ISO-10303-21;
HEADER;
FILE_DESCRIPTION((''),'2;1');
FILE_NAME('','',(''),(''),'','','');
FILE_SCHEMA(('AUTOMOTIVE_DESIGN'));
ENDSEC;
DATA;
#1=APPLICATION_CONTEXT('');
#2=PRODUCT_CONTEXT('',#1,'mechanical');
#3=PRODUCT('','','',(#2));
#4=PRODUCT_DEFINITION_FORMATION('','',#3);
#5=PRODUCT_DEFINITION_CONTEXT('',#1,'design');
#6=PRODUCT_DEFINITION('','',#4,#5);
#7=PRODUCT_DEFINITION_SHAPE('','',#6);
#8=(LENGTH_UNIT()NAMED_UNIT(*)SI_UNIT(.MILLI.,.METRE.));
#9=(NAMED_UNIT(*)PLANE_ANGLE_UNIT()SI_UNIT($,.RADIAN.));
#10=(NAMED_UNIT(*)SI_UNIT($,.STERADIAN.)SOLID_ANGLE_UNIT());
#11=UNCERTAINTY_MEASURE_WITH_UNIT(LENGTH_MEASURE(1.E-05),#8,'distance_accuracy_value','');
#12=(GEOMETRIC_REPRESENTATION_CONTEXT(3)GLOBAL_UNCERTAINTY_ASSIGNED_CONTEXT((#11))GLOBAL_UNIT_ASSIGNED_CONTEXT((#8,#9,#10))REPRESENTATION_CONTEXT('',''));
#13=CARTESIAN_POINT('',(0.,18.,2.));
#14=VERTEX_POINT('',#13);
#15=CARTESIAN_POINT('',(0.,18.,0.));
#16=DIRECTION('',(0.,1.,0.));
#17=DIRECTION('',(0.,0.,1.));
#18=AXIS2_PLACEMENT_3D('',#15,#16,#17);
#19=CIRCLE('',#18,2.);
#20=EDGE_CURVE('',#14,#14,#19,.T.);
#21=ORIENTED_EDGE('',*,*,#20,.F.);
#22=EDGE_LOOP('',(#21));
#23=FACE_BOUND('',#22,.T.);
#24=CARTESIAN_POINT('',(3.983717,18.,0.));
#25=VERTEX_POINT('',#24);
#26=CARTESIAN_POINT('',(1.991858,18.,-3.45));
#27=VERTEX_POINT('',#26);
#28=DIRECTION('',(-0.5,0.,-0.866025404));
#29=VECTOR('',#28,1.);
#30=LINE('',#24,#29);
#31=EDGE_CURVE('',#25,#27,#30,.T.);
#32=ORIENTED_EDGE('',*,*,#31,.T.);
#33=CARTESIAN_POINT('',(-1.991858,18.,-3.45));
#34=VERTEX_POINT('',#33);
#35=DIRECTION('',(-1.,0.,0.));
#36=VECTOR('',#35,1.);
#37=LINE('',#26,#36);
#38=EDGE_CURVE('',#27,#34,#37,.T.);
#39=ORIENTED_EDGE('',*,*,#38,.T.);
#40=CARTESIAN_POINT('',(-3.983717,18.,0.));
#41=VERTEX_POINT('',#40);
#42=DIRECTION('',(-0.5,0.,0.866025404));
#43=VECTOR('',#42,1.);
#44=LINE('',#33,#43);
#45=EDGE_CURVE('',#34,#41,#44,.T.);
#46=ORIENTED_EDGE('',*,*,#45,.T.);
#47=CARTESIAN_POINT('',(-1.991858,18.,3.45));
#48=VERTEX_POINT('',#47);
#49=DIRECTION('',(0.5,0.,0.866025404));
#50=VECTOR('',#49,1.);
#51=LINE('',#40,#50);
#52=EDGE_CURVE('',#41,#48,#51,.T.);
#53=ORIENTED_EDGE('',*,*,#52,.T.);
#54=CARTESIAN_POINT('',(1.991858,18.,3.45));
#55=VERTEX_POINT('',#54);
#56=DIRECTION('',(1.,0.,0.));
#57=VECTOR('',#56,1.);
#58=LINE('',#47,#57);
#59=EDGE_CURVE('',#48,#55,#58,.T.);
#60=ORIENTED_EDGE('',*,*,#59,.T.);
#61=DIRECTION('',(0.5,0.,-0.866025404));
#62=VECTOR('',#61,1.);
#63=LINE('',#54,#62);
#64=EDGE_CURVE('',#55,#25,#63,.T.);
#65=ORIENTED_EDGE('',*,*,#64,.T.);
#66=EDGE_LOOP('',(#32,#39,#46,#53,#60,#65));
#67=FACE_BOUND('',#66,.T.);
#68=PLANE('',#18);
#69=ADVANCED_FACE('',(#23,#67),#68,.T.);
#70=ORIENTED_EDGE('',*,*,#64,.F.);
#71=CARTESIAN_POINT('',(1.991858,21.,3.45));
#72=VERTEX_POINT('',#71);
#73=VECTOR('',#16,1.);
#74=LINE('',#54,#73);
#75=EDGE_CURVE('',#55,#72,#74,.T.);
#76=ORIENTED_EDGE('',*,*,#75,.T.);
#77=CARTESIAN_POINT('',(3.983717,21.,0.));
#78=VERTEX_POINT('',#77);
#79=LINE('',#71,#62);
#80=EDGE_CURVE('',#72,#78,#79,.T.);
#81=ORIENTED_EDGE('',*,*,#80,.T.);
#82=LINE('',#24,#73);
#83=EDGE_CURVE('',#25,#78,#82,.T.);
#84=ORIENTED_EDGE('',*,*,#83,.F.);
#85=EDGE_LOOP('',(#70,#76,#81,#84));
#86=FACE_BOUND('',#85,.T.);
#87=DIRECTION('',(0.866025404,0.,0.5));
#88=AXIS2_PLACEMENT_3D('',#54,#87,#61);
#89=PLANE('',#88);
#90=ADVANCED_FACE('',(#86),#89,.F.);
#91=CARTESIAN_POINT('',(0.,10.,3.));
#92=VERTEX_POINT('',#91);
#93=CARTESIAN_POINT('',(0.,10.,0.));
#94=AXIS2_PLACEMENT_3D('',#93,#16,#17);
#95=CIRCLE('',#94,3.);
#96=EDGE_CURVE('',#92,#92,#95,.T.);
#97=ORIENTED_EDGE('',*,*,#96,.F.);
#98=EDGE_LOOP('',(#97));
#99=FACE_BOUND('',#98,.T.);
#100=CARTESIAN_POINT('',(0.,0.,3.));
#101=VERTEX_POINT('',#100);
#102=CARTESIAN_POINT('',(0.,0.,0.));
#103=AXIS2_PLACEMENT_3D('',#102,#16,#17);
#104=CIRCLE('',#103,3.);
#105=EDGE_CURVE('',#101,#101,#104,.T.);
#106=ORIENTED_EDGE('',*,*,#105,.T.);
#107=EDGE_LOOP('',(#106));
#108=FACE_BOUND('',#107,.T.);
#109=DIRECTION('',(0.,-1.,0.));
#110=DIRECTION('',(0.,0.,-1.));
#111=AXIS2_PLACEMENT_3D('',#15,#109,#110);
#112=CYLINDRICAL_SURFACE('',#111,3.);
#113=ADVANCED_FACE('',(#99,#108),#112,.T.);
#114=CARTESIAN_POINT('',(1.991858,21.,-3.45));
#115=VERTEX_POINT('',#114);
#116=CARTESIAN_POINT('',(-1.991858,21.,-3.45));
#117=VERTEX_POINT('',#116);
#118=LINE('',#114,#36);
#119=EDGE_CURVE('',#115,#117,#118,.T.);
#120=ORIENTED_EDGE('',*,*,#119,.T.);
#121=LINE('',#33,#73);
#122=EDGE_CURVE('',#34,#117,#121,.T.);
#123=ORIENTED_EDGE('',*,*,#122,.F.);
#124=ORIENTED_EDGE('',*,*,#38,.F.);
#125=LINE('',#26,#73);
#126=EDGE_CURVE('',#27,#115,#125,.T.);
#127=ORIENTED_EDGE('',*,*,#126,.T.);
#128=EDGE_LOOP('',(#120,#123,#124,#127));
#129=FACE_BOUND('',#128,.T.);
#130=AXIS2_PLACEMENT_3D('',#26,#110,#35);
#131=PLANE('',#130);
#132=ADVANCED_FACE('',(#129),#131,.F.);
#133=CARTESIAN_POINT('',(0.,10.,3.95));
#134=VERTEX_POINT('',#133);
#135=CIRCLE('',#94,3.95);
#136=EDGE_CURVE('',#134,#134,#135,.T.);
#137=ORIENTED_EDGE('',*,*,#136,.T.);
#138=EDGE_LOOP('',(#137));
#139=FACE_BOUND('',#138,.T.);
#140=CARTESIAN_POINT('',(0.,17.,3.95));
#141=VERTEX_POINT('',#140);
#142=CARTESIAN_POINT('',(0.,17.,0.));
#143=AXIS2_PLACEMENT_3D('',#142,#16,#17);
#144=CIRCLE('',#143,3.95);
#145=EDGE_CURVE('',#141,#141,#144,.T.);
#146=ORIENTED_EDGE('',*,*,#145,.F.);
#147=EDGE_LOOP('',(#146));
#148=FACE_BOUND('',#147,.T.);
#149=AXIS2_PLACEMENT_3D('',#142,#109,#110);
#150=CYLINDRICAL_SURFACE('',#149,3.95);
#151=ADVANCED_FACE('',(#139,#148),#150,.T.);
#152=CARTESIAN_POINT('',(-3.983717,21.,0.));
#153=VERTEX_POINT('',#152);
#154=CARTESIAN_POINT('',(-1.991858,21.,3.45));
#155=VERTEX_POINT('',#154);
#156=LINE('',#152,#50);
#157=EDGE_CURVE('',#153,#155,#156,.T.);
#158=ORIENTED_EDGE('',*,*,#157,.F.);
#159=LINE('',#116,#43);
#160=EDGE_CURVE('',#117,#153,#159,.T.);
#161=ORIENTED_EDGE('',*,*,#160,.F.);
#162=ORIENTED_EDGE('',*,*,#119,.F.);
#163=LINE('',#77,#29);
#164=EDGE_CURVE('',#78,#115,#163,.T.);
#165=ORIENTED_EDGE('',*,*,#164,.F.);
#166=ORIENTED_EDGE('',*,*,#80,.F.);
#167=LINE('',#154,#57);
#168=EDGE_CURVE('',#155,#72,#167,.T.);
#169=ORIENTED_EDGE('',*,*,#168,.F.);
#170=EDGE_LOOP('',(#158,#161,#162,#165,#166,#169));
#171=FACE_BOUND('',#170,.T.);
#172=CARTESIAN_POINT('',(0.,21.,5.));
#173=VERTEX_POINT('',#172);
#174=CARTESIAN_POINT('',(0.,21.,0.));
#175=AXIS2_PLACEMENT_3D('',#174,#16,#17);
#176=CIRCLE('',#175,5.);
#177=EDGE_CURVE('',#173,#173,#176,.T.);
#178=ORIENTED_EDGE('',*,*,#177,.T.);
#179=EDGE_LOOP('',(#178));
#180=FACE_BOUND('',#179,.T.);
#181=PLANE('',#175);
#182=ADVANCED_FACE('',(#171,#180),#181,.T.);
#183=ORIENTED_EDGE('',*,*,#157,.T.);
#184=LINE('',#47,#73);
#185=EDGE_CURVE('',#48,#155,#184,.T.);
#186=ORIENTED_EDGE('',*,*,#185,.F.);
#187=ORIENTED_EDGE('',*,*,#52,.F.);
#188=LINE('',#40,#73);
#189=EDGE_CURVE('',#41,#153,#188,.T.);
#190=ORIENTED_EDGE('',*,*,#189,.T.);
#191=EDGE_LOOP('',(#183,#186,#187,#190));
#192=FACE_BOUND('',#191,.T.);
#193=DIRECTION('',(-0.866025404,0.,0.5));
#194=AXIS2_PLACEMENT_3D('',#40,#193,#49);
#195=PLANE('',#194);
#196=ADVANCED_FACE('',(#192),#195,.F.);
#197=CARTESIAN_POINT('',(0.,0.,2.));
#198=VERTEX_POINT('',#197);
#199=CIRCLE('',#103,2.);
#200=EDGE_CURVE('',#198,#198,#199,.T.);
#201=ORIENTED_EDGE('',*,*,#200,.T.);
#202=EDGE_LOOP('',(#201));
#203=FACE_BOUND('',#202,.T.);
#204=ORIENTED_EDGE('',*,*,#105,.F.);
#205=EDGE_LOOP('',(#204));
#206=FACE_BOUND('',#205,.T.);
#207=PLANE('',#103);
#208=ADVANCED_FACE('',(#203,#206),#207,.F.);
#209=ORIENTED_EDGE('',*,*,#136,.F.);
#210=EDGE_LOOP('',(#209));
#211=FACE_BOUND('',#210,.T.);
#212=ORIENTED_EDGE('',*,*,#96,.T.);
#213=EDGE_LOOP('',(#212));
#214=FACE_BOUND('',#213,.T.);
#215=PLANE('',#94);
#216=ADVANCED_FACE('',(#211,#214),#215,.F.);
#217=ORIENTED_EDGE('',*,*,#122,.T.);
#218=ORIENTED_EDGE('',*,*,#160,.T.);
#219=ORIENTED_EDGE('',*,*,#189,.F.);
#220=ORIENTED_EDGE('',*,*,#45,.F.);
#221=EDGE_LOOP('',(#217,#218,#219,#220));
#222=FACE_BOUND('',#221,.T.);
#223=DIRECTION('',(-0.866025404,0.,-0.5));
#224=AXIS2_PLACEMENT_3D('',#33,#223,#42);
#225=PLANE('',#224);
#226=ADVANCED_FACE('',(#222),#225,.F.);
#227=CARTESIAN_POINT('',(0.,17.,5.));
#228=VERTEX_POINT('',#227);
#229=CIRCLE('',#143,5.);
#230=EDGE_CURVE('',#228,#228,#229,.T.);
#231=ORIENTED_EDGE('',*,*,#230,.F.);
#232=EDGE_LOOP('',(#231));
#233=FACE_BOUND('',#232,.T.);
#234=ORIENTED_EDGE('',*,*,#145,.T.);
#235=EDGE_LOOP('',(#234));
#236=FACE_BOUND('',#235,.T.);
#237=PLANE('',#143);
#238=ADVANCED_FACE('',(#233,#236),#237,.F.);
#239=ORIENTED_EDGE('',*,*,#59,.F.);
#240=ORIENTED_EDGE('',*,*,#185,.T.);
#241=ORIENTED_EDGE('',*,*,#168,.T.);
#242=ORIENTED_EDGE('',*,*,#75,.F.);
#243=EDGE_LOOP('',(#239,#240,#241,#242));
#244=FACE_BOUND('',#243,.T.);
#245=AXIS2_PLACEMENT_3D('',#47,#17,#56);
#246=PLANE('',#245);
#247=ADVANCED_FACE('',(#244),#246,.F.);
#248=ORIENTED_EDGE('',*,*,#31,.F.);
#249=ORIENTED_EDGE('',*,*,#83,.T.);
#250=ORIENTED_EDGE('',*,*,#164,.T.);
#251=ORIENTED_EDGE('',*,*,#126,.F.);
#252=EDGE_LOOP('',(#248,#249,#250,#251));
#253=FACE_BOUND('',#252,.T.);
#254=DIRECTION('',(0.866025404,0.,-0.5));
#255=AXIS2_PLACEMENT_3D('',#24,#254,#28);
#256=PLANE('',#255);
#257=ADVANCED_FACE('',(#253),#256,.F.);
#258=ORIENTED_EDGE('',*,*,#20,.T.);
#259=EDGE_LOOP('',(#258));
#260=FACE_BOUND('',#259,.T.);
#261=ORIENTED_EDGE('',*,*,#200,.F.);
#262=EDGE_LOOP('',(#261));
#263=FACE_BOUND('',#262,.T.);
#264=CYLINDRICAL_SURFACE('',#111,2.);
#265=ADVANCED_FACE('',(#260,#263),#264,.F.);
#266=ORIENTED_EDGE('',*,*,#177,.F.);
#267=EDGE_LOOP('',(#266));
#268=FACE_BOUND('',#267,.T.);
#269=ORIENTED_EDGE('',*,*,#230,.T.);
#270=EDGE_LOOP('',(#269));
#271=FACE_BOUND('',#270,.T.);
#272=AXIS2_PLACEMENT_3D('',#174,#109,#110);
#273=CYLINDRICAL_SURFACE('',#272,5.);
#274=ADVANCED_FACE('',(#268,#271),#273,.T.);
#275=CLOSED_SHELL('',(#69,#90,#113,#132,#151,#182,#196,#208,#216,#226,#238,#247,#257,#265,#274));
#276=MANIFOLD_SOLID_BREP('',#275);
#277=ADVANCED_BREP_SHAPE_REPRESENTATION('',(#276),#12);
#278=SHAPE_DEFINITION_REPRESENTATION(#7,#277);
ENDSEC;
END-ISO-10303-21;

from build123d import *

# Parameters (mm, degrees)
SKETCH1_R           = 3
SKETCH1_R_2         = 2
BOSS_EXTRUDE1_DEPTH = 18
BOSS_EXTRUDE3_START = -8
SKETCH2_R           = 3.95
SKETCH2_R_2         = 2
BOSS_EXTRUDE3_DEPTH = 7
SKETCH4_R           = 5
SKETCH4_R_2         = 2
BOSS_EXTRUDE4_DEPTH = 4
CUT_EXTRUDE1_DEPTH  = 3


with BuildPart() as part:
    # Sketch1 → Boss-Extrude1 (new body)
    with BuildSketch(Plane(origin=(0, 0, 0), x_dir=(1, 0, 0), z_dir=(0, 1, 0))):
        with Locations(Location((0, 0, 0), (0, 0, 270))):
            Circle(SKETCH1_R)
        with Locations(Location((0, 0, 0), (0, 0, 270))):
            Circle(SKETCH1_R_2, mode=Mode.SUBTRACT)
    extrude(amount=BOSS_EXTRUDE1_DEPTH)

    # Sketch2 → Boss-Extrude3 (add)
    with BuildSketch(Plane(origin=(0, 18, 0), x_dir=(1, 0, 0), z_dir=(0, 1, 0)).offset(BOSS_EXTRUDE3_START)):
        with Locations(Location((0, 0, 0), (0, 0, 270))):
            Circle(SKETCH2_R)
        with Locations(Location((0, 0, 0), (0, 0, 270))):
            Circle(SKETCH2_R_2, mode=Mode.SUBTRACT)
    extrude(amount=BOSS_EXTRUDE3_DEPTH)

    # Sketch4 → Boss-Extrude4 (add)
    with BuildSketch(Plane(origin=(0, 17, 0), x_dir=(1, 0, 0), z_dir=(0, 1, 0))):
        with Locations(Location((0, 0, 0), (0, 0, 270))):
            Circle(SKETCH4_R)
        with Locations(Location((0, 0, 0), (0, 0, 270))):
            Circle(SKETCH4_R_2, mode=Mode.SUBTRACT)
    extrude(amount=BOSS_EXTRUDE4_DEPTH)

    # Sketch5 → Cut-Extrude1 (cut)
    with BuildSketch(Plane(origin=(0, 21, 0), x_dir=(1, 0, 0), z_dir=(0, 1, 0))):
        Polygon((3.983716857, 0), (1.991858429, 3.45), (-1.991858429, 3.45), (-3.983716857, 0), (-1.991858429, -3.45), (1.991858429, -3.45), align=None)
    extrude(amount=-CUT_EXTRUDE1_DEPTH, mode=Mode.SUBTRACT)


solid = part.part
